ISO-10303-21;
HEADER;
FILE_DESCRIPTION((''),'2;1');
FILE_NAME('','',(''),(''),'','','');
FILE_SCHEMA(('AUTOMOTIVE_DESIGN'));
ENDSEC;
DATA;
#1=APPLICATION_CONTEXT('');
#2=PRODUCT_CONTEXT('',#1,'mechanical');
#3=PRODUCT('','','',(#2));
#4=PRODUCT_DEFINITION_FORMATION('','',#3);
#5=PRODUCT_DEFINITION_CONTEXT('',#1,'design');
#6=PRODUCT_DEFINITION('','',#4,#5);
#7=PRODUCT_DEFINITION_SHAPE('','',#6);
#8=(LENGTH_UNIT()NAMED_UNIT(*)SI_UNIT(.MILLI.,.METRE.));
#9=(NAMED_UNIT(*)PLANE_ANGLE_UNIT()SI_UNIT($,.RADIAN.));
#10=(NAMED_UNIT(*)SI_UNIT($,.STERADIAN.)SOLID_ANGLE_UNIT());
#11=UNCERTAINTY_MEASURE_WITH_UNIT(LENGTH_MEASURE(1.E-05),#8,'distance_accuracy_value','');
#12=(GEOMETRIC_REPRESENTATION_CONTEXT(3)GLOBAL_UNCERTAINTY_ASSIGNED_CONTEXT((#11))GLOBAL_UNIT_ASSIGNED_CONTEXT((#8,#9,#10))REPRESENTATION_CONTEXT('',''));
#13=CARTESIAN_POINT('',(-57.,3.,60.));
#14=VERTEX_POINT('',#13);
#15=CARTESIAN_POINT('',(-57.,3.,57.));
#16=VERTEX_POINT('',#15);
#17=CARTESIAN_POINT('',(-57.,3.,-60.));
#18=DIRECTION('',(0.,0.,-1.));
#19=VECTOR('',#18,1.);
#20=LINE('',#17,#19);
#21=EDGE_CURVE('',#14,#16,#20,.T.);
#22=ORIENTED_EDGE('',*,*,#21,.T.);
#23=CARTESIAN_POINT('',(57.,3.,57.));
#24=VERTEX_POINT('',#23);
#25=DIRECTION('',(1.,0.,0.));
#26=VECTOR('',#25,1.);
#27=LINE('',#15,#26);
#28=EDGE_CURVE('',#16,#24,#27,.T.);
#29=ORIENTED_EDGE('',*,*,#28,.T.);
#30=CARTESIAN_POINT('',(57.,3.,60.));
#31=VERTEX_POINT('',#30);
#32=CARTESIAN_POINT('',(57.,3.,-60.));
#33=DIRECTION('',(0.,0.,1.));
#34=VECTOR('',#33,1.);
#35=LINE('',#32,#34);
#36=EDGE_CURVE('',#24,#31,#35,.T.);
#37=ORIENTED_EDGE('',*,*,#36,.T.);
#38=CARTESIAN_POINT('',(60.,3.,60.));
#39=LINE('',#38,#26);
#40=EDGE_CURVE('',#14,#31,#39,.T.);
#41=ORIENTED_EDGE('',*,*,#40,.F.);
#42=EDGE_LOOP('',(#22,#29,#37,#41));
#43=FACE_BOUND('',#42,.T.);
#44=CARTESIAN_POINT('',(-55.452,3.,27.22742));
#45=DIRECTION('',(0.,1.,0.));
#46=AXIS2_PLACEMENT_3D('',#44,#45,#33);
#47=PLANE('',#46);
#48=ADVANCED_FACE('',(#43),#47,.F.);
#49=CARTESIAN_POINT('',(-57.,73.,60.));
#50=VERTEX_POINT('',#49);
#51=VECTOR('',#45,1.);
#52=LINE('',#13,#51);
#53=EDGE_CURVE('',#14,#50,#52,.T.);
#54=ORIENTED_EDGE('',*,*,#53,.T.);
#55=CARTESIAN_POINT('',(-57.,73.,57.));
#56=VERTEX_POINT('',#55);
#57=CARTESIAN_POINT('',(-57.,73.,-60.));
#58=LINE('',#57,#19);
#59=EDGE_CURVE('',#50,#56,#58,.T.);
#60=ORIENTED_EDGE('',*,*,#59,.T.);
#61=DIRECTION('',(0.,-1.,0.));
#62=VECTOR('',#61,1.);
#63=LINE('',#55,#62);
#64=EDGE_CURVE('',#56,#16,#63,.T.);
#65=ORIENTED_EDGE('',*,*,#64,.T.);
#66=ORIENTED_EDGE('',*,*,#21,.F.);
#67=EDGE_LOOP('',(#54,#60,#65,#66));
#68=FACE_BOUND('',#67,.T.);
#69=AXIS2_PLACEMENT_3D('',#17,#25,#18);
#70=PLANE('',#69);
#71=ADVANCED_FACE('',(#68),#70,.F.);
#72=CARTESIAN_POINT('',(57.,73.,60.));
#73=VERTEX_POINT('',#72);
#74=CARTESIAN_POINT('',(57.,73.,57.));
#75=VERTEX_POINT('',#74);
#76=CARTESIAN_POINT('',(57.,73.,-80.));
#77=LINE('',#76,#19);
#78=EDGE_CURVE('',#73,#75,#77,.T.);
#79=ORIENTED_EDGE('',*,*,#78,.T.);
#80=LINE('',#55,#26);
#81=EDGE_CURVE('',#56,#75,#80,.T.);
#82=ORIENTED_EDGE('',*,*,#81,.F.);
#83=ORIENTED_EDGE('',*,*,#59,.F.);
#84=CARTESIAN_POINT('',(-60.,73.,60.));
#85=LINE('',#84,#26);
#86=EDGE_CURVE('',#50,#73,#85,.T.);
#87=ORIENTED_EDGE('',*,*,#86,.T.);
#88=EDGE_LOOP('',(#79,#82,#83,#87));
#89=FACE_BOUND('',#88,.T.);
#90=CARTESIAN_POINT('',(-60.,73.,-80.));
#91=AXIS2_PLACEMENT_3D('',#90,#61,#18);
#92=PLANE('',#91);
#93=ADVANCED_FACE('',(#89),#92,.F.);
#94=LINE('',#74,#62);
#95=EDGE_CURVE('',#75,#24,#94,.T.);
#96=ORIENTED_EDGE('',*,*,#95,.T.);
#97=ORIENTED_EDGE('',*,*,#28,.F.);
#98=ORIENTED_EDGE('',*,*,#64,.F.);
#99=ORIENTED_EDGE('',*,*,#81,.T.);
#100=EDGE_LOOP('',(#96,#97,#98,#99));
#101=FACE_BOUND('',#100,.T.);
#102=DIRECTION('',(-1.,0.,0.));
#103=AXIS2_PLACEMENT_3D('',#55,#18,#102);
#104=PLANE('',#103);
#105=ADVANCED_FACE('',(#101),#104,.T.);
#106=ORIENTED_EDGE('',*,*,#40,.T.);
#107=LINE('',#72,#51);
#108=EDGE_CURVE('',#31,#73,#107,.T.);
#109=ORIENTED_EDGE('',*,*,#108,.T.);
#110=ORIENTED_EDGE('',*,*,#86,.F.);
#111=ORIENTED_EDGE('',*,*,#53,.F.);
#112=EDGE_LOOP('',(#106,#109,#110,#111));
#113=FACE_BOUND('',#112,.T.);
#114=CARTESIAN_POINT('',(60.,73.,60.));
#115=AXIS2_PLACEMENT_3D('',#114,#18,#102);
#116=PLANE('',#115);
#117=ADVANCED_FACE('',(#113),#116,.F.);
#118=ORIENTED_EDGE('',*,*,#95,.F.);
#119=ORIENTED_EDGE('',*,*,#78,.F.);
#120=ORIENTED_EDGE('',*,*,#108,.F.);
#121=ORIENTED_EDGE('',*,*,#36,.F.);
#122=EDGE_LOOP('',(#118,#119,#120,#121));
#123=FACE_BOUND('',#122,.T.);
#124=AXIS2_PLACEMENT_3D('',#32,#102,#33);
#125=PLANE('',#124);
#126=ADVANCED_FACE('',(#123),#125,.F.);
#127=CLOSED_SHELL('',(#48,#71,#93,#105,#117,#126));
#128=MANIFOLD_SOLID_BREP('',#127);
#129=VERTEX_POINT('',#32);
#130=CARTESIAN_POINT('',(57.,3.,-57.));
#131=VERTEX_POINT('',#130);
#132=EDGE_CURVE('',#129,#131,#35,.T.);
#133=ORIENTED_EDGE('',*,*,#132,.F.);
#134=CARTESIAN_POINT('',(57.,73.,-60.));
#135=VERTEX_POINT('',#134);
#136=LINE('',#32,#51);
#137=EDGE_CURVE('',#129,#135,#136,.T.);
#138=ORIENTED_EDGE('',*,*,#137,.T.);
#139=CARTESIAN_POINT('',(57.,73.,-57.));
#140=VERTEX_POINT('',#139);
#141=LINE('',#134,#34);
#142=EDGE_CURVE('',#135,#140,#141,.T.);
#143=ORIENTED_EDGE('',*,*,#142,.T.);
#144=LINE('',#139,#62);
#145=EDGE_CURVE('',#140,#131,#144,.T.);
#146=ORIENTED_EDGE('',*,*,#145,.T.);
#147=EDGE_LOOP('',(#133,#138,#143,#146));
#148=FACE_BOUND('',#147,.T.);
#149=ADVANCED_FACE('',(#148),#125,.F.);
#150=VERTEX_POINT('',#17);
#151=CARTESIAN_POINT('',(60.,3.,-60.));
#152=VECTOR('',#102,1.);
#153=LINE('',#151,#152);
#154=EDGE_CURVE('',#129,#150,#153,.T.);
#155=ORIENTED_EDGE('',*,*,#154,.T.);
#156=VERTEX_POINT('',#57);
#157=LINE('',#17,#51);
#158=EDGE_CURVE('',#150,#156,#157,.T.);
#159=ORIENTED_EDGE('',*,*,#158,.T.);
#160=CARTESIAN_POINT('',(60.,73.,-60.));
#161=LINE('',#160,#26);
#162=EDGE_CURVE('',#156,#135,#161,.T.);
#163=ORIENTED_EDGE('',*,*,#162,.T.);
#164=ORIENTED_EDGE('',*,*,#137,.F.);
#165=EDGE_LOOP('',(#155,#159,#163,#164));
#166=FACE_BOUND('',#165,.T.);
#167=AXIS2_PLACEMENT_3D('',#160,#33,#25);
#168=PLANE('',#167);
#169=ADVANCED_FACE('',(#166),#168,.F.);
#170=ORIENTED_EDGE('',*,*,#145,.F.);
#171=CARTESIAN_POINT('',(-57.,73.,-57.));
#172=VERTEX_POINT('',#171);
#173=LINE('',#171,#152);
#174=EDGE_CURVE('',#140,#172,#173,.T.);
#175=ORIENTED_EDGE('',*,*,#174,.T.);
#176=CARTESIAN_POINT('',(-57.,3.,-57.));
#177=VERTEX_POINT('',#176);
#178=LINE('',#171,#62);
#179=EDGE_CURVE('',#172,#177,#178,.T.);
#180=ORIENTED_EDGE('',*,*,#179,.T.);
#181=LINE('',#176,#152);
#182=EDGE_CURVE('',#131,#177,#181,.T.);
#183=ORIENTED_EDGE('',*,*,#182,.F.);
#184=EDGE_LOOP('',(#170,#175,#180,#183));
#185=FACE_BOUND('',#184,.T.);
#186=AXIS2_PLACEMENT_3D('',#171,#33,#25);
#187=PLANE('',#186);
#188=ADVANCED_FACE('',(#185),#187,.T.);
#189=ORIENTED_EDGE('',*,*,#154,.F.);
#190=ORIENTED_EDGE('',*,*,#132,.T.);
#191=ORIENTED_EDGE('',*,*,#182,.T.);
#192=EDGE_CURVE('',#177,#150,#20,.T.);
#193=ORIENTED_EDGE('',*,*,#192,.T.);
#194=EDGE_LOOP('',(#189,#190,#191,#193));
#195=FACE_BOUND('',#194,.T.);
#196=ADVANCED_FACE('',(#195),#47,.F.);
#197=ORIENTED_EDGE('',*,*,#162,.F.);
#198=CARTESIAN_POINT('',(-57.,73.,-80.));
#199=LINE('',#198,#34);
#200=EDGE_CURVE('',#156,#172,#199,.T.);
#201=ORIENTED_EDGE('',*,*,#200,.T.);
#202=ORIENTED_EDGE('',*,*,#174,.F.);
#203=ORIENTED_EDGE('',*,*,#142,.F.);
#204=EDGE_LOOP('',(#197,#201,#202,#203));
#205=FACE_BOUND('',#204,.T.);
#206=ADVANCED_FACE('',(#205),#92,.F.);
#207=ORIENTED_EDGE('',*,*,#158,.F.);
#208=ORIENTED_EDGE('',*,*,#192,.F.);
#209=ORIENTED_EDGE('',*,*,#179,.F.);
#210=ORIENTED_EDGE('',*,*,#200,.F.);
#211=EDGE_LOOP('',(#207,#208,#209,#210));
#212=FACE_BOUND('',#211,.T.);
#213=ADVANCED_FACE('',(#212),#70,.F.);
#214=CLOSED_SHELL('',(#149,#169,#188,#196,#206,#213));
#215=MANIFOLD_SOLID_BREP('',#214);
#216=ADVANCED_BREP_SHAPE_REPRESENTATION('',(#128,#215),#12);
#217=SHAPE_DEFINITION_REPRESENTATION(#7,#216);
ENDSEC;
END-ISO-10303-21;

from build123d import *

# Parameters (mm, degrees)
SKETCH1_W           = 140
SKETCH1_H           = 160
BOSS_EXTRUDE1_DEPTH = 3
SKETCH2_W           = 120
SKETCH2_H           = 120
SKETCH2_W_2         = 114
SKETCH2_H_2         = 114
BOSS_EXTRUDE2_DEPTH = 70
SKETCH4_W           = 120
SKETCH4_H           = 120
BOSS_EXTRUDE4_DEPTH = 3
SKETCH5_R           = 2.1
SKETCH5_W           = 39.9
SKETCH5_H           = 19.71
CUT_EXTRUDE2_DEPTH  = 3
SKETCH6_W           = 18.298163042
SKETCH6_H           = 17.309993256
CUT_EXTRUDE3_DEPTH  = 3
CUT_EXTRUDE8_DEPTH  = 5
SKETCH15_W          = 259.021634325
SKETCH15_H          = 180.269434884
BOSS_EXTRUDE5_DEPTH = 3
SKETCH18_R          = 1.6
CUT_EXTRUDE9_DEPTH  = 10
SKETCH19_W          = 12
SKETCH19_H          = 4.5
SKETCH19_H_2        = 8.4
SKETCH19_W_2        = 10.084057066
SKETCH19_H_3        = 7.362028533
CUT_EXTRUDE11_DEPTH = 5
SKETCH20_W          = 263.921538054
SKETCH20_H          = 19.630552878
SKETCH20_W_2        = 120
SKETCH20_H_2        = 3
CUT_EXTRUDE12_DEPTH = 233.259150239
SKETCH21_W          = 259.021634325
SKETCH21_H          = 40.269434884
CUT_EXTRUDE13_DEPTH = 209.619923406
SKETCH22_W          = 3
SKETCH22_H          = 120
SKETCH22_H_2        = 122.072039114
CUT_EXTRUDE14_DEPTH = 111


with BuildPart() as part:
    # Sketch1 → Boss-Extrude1 (new body)
    with BuildSketch(Plane(origin=(0, 0, 0), x_dir=(1, 0, 0), z_dir=(0, 1, 0))):
        Rectangle(SKETCH1_W, SKETCH1_H)
    extrude(amount=BOSS_EXTRUDE1_DEPTH)

    # Sketch2 → Boss-Extrude2 (add)
    with BuildSketch(Plane(origin=(0, 3, 0), x_dir=(1, 0, 0), z_dir=(0, 1, 0))):
        Rectangle(SKETCH2_W, SKETCH2_H)
        Rectangle(SKETCH2_W_2, SKETCH2_H_2, mode=Mode.SUBTRACT)
    extrude(amount=BOSS_EXTRUDE2_DEPTH)

    # Sketch4 → Boss-Extrude4 (add)
    with BuildSketch(Plane(origin=(0, 73, 0), x_dir=(1, 0, 0), z_dir=(0, 1, 0))):
        Rectangle(SKETCH4_W, SKETCH4_H)
    extrude(amount=BOSS_EXTRUDE4_DEPTH)

    # Sketch5 → Cut-Extrude2 (cut)
    with BuildSketch(Plane(origin=(0, 76, 0), x_dir=(1, 0, 0), z_dir=(0, 1, 0))):
        with Locations(Location((34.39, -4.925, 0), (0, 0, 270))):
            Circle(SKETCH5_R)
        with Locations(Location((34.39, 4.925, 0), (0, 0, 270))):
            Circle(SKETCH5_R)
        with Locations(Location((-15.03, -4.925, 0), (0, 0, 270))):
            Circle(SKETCH5_R)
        with Locations(Location((-15.03, 4.925, 0), (0, 0, 270))):
            Circle(SKETCH5_R)
        with Locations((9.68, 0)):
            Rectangle(SKETCH5_W, SKETCH5_H)
    extrude(amount=-CUT_EXTRUDE2_DEPTH, mode=Mode.SUBTRACT)

    # Sketch6 → Cut-Extrude3 (cut)
    with BuildSketch(Plane(origin=(0, 76, 0), x_dir=(1, 0, 0), z_dir=(0, 1, 0))):
        Rectangle(SKETCH6_W, SKETCH6_H)
    extrude(amount=-CUT_EXTRUDE3_DEPTH, mode=Mode.SUBTRACT)

    # Sketch13 → Cut-Extrude8 (cut)
    with BuildSketch(Plane(origin=(0, 76, 0), x_dir=(1, 0, 0), z_dir=(0, 1, 0))):
        with BuildLine():
            ThreePointArc((-3.792582359, 49.728765052), (-53.491503795, -1.722579942), (-0.349490011, -49.609426409))
            ThreePointArc((-0.349490011, -49.609426409), (5.82592347, -42.51288634), (-1.270616599, -36.337472859))
            ThreePointArc((-1.270616599, -36.337472859), (-40.195607742, -1.261740085), (-3.792582359, 36.42488497))
            ThreePointArc((-3.792582359, 36.42488497), (2.859357682, 43.076825011), (-3.792582359, 49.728765052))
        make_face()
    extrude(amount=-CUT_EXTRUDE8_DEPTH, mode=Mode.SUBTRACT)

    # Sketch15 → Boss-Extrude5 (add)
    with BuildSketch(Plane(origin=(0, 3, 0), x_dir=(1, 0, 0), z_dir=(0, 1, 0))):
        with Locations((-39.510817163, -10.134717442)):
            Rectangle(SKETCH15_W, SKETCH15_H)
    extrude(amount=-BOSS_EXTRUDE5_DEPTH)

    # Sketch18 → Cut-Extrude9 (cut)
    with BuildSketch(Plane(origin=(0, 3, 0), x_dir=(1, 0, 0), z_dir=(0, 1, 0))):
        with Locations(Location((-55.452, -27.227420358, 0), (0, 0, 194.647469308))):
            Circle(SKETCH18_R)
        with Locations(Location((-55.452, 32.208579642, 0), (0, 0, 194.647469308))):
            Circle(SKETCH18_R)
        with Locations(Location((4.746, 32.208579642, 0), (0, 0, 270))):
            Circle(SKETCH18_R)
        with Locations(Location((4.746, -27.227420358, 0), (0, 0, 270))):
            Circle(SKETCH18_R)
    extrude(amount=-CUT_EXTRUDE9_DEPTH, mode=Mode.SUBTRACT)

    # Sketch19 → Cut-Extrude11 (cut)
    with BuildSketch(Plane.ZY.offset(60)):
        with Locations((12.367420358, 33)):
            Rectangle(SKETCH19_W, SKETCH19_H)
        with Locations((-11.259414931, 37.2)):
            Rectangle(SKETCH19_W, SKETCH19_H_2)
        with Locations((-28.606781654, 36.742945388)):
            Rectangle(SKETCH19_W_2, SKETCH19_H_3)
    extrude(amount=-CUT_EXTRUDE11_DEPTH, mode=Mode.SUBTRACT)

    # Sketch20 → Cut-Extrude12 (cut, through all)
    with BuildSketch(Plane.XY.offset(60)):
        with Locations((-37.060865298, -6.815276439)):
            Rectangle(SKETCH20_W, SKETCH20_H)
        with Locations((0, 74.5)):
            Rectangle(SKETCH20_W_2, SKETCH20_H_2)
    extrude(amount=-CUT_EXTRUDE12_DEPTH, mode=Mode.SUBTRACT)


with BuildPart() as cut_extrude12_piece_1:
    # of the separate pieces the step leaves, piece 1, a body of its own (cut_extrude12_pieces)
    add(part.part.solids().sort_by_distance((60, 73, 60))[0])

    # Sketch22 → Cut-Extrude14 (cut, through all)
    with BuildSketch(Plane(origin=(0, 73, 0), x_dir=(1, 0, 0), z_dir=(0, 1, 0))):
        with Locations((-58.5, 0)):
            Rectangle(SKETCH22_W, SKETCH22_H)
        with Locations((58.5, -1.036019557)):
            Rectangle(SKETCH22_W, SKETCH22_H_2)
    extrude(amount=-CUT_EXTRUDE14_DEPTH, mode=Mode.SUBTRACT)


with BuildPart() as cut_extrude12_piece_2:
    # of the separate pieces the step leaves, piece 2, a body of its own (cut_extrude12_pieces)
    add(part.part.solids().sort_by_distance((90, 0, 60))[0])

    # Sketch21 → Cut-Extrude13 (cut, through all)
    with BuildSketch(Plane(origin=(0, 3, 0), x_dir=(1, 0, 0), z_dir=(0, 1, 0))):
        with Locations((-39.510817163, -80.134717442)):
            Rectangle(SKETCH21_W, SKETCH21_H)
    extrude(amount=-CUT_EXTRUDE13_DEPTH, mode=Mode.SUBTRACT)


with BuildPart() as cut_extrude14_piece_1:
    # of the separate pieces the step leaves, piece 1, a body of its own (cut_extrude14_pieces)
    add(cut_extrude12_piece_1.part.solids().sort_by_distance((57, 3, -57))[0])


with BuildPart() as cut_extrude14_piece_2:
    # of the separate pieces the step leaves, piece 2, a body of its own (cut_extrude14_pieces)
    add(cut_extrude12_piece_1.part.solids().sort_by_distance((57, 73, 60))[0])


solid = Compound([cut_extrude14_piece_1.part, cut_extrude14_piece_2.part])
